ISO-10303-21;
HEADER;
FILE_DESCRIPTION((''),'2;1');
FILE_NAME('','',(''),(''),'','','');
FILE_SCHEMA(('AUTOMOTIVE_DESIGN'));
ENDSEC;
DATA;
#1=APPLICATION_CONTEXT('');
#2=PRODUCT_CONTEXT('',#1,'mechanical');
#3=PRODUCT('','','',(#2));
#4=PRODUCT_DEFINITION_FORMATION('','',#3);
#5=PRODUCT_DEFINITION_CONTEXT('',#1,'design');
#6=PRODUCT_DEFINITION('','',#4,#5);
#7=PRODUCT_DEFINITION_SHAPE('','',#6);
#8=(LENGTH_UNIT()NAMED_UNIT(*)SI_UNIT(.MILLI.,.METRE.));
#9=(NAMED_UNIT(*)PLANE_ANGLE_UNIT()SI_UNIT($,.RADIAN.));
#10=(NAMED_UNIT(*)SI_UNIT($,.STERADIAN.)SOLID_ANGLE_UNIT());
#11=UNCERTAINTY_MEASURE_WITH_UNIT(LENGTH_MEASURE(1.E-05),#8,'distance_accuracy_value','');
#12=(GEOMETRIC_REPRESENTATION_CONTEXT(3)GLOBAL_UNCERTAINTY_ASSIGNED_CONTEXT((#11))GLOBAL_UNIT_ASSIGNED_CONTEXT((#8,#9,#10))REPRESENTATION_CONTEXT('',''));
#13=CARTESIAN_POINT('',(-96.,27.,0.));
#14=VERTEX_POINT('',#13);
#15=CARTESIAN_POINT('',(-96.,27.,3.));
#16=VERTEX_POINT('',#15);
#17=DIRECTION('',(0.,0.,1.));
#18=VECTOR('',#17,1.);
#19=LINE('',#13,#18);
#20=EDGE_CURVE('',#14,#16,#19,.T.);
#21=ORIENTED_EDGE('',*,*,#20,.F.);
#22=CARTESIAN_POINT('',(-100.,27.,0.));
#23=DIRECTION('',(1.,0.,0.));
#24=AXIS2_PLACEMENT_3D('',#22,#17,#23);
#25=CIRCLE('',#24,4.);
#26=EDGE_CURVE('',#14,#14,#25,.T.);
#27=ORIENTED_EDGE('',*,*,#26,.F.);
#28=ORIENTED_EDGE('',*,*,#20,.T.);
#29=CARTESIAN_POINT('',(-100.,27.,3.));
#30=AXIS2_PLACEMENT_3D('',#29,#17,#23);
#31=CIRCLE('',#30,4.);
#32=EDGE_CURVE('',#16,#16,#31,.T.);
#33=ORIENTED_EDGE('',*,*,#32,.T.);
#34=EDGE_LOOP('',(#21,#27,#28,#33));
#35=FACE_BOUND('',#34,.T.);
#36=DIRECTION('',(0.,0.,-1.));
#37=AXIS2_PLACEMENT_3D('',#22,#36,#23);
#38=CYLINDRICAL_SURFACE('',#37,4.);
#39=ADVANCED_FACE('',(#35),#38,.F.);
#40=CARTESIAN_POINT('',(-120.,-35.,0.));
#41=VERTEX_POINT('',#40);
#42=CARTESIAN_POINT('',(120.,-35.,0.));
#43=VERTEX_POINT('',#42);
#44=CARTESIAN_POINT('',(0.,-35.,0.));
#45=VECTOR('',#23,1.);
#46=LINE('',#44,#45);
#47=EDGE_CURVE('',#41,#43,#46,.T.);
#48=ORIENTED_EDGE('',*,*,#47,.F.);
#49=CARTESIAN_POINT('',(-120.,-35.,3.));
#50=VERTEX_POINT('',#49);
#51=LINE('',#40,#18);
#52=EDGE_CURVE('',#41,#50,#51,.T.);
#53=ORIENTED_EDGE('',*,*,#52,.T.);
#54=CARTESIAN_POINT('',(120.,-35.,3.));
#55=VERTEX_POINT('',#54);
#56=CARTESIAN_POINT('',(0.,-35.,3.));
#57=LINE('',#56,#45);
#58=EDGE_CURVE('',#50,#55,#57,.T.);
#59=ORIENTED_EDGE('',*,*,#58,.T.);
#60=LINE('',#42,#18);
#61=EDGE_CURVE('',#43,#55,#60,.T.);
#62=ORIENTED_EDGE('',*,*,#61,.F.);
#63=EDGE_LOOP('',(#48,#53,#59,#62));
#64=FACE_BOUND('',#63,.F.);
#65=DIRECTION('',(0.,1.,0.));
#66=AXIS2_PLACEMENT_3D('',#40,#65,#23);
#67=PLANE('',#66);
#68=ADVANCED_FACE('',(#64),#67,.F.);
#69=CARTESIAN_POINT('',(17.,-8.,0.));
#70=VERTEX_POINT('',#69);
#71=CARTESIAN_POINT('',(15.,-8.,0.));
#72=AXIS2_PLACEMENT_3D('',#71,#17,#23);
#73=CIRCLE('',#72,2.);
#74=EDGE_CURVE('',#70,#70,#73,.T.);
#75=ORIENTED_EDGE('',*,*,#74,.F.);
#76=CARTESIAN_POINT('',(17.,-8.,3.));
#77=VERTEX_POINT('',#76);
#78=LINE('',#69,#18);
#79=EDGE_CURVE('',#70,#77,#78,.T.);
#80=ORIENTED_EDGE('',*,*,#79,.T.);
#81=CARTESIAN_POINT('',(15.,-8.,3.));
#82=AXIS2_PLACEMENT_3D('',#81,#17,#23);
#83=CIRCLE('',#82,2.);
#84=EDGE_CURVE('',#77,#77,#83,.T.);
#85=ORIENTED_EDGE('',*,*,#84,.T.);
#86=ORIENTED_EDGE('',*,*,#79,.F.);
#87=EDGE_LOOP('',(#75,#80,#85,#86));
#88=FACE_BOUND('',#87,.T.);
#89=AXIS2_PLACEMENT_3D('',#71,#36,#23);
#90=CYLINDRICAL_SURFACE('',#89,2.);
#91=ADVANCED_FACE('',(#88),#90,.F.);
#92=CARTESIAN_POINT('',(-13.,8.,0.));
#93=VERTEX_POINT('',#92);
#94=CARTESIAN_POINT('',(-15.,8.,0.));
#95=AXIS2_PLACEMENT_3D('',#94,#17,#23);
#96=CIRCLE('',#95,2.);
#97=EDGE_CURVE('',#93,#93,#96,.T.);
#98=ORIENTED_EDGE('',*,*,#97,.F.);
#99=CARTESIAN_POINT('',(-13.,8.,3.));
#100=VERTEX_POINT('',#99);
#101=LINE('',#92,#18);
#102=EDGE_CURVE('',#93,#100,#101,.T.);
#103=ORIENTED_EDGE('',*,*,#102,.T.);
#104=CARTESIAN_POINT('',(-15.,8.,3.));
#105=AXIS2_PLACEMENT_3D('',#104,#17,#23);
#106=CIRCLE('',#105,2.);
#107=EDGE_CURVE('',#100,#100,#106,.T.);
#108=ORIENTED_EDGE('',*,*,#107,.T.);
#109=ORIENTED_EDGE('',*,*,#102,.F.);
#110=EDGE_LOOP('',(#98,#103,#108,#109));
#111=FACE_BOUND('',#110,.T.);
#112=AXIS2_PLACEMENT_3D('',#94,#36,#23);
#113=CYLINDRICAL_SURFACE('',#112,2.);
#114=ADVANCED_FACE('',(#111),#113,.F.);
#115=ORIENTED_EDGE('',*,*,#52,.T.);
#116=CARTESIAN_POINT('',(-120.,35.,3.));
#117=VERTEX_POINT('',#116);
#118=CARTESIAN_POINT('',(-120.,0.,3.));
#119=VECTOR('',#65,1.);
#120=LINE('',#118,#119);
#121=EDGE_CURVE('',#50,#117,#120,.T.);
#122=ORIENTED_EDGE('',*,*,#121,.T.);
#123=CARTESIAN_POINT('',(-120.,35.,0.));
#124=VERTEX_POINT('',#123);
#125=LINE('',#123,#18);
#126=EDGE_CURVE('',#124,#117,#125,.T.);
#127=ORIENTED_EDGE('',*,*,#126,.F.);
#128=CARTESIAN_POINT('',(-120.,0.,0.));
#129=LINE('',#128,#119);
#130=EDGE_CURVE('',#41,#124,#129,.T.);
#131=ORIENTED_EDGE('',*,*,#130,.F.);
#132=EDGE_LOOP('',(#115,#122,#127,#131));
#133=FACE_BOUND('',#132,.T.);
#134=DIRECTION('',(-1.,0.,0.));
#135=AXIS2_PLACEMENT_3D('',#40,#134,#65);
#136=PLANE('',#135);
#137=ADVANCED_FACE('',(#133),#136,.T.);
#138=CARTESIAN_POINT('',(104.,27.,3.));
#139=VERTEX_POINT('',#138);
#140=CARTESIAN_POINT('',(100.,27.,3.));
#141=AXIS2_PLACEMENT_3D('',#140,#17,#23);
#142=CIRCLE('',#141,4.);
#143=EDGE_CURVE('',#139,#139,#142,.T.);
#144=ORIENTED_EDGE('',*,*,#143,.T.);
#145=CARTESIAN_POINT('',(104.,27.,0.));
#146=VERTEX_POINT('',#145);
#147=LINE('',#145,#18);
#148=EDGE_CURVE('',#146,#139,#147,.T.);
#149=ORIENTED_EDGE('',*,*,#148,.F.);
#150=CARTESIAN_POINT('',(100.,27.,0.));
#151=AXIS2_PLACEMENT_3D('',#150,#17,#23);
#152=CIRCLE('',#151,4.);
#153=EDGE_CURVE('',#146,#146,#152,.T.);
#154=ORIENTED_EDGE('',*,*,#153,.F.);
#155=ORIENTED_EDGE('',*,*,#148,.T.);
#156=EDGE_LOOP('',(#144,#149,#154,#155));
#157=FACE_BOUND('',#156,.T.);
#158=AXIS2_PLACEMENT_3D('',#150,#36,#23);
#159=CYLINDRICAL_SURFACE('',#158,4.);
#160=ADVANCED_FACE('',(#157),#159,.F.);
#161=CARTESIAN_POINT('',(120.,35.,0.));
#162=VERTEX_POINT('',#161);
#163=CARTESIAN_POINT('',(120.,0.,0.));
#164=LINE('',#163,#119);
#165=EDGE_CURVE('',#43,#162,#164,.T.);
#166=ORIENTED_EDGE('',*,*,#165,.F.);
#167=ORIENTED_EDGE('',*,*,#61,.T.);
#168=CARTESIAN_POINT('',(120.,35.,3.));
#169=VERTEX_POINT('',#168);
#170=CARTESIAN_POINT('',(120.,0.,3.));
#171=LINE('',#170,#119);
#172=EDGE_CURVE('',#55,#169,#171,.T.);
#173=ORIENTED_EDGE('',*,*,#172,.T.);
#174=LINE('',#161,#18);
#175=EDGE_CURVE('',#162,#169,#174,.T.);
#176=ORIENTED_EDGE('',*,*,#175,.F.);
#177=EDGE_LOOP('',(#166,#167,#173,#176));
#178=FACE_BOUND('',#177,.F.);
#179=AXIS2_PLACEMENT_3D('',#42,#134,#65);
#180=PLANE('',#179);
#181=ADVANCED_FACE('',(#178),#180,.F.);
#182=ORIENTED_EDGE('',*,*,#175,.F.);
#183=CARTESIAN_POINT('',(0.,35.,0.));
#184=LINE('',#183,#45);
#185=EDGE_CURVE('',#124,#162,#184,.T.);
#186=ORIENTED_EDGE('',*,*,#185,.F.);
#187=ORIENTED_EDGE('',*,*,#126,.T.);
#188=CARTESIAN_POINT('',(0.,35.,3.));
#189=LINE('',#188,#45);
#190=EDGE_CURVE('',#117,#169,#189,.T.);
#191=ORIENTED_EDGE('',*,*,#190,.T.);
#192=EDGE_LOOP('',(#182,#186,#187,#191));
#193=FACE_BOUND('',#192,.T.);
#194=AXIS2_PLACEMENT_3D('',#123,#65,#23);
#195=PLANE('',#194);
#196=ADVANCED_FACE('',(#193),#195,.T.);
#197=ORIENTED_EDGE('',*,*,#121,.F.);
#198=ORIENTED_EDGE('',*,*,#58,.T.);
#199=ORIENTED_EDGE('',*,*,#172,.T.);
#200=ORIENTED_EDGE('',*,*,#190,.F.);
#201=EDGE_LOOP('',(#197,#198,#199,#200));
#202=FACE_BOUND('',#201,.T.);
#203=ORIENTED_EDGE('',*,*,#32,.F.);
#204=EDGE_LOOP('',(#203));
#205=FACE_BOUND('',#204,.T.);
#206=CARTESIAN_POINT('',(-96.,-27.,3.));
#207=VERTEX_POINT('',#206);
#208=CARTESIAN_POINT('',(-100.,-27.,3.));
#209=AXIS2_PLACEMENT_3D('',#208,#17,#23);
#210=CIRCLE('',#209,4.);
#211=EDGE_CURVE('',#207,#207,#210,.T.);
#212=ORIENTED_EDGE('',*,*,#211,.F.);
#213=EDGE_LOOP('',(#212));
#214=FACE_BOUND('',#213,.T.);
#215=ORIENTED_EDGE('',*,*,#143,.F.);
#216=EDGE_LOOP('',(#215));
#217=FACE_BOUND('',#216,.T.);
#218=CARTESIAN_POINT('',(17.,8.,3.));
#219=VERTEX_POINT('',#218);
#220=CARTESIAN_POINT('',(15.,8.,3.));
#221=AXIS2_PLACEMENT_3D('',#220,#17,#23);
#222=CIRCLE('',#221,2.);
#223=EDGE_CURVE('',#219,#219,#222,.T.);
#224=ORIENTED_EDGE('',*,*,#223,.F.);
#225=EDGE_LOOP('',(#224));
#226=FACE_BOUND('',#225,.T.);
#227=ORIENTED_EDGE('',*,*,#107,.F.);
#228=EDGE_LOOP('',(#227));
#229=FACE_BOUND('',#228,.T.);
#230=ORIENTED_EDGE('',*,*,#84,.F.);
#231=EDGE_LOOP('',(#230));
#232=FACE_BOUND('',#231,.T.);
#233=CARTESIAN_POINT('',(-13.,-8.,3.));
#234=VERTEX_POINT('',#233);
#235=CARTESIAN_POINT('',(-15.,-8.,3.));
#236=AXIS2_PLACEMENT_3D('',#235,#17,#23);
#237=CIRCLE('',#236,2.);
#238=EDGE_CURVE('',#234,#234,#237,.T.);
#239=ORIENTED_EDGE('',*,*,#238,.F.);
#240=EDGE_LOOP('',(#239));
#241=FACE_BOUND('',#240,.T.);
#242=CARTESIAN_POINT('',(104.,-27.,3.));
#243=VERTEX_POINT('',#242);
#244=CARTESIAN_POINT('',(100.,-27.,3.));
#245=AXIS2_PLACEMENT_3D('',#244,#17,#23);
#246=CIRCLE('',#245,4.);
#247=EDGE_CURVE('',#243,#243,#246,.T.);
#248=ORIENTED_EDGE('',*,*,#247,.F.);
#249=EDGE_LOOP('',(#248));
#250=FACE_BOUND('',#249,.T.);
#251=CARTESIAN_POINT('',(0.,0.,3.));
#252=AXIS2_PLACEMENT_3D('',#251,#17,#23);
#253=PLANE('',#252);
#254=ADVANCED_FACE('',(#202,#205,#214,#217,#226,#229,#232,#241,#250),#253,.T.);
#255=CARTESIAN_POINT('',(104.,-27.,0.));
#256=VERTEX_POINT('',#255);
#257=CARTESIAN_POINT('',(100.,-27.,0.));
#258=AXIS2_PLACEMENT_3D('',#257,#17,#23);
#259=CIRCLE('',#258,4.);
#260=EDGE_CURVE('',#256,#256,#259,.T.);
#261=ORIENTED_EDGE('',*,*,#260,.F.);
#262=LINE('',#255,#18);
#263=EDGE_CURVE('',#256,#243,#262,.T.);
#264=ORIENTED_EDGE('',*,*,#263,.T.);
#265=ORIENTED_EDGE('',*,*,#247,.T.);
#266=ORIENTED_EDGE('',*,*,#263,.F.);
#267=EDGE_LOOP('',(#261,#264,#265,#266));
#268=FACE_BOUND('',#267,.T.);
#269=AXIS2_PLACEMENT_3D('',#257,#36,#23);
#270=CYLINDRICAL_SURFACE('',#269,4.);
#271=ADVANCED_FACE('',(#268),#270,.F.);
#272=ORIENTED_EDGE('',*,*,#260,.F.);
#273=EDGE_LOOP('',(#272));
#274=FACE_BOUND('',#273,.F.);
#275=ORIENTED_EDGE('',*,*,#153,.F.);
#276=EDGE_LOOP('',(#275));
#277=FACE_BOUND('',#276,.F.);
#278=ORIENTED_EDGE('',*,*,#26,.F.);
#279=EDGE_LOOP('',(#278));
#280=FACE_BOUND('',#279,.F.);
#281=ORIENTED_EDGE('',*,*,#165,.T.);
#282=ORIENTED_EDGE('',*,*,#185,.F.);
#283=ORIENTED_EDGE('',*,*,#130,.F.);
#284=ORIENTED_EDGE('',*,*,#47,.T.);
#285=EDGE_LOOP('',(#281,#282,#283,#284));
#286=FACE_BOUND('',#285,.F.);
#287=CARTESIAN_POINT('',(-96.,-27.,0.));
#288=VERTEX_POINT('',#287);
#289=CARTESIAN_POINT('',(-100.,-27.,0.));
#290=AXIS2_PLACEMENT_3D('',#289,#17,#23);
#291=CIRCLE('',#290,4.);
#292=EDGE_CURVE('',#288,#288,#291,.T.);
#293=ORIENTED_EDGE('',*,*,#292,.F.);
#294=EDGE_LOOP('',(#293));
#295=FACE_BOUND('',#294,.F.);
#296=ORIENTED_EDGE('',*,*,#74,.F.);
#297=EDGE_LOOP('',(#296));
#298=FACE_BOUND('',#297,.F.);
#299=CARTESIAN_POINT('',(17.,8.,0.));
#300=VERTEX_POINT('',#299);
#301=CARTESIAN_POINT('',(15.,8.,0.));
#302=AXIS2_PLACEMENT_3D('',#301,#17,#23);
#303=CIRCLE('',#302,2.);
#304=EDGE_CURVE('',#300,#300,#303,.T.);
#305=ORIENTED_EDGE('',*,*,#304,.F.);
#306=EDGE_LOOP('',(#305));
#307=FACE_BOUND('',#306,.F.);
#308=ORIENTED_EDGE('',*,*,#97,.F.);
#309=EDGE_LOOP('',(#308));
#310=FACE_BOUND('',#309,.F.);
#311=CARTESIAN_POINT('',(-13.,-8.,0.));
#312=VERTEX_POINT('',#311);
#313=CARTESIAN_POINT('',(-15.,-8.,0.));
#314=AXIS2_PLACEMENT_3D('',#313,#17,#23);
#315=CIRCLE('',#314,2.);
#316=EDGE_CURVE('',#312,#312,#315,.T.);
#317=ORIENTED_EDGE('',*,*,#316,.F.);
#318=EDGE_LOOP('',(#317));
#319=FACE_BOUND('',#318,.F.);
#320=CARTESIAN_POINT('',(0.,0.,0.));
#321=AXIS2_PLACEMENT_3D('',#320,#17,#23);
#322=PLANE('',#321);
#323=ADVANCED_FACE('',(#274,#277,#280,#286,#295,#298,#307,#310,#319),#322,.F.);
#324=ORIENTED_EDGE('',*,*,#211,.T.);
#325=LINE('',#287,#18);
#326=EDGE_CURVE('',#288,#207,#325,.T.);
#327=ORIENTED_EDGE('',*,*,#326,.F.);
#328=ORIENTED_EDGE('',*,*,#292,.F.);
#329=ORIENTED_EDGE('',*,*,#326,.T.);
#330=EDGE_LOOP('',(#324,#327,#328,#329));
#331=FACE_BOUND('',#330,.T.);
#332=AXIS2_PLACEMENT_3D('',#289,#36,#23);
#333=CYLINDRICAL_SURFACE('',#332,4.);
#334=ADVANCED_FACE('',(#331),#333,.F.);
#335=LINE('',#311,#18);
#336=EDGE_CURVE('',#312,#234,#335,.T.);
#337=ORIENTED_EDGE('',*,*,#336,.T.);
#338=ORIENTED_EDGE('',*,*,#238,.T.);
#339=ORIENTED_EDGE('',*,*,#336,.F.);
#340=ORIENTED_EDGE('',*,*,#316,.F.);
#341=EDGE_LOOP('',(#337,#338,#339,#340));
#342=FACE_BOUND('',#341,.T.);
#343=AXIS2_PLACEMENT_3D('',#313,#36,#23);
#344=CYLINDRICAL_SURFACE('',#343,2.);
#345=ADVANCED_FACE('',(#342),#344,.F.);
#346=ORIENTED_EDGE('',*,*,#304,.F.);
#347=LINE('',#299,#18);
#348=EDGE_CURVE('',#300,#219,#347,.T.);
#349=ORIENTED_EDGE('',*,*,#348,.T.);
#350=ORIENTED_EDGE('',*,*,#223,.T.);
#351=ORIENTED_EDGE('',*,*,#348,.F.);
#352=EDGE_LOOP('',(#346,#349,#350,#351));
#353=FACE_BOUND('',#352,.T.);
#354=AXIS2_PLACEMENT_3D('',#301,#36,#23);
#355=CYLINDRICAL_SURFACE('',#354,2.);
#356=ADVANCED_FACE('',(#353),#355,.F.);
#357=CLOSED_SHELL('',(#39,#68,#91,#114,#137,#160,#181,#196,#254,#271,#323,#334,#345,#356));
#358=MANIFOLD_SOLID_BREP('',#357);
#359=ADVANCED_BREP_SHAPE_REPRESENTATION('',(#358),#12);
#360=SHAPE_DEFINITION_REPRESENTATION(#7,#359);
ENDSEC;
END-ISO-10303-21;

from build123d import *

# Parameters (mm, degrees)
SKETCH1_W           = 240
SKETCH1_H           = 70
SKETCH1_R           = 4
SKETCH1_R_2         = 2
BOSS_EXTRUDE1_DEPTH = 3


with BuildPart() as part:
    # Sketch1 → Boss-Extrude1 (new body)
    with BuildSketch(Plane.XY):
        Rectangle(SKETCH1_W, SKETCH1_H)
        with Locations((-100, 27)):
            Circle(SKETCH1_R, mode=Mode.SUBTRACT)
        with Locations((100, 27)):
            Circle(SKETCH1_R, mode=Mode.SUBTRACT)
        with Locations((100, -27)):
            Circle(SKETCH1_R, mode=Mode.SUBTRACT)
        with Locations((-100, -27)):
            Circle(SKETCH1_R, mode=Mode.SUBTRACT)
        with Locations((-15, 8)):
            Circle(SKETCH1_R_2, mode=Mode.SUBTRACT)
        with Locations((15, 8)):
            Circle(SKETCH1_R_2, mode=Mode.SUBTRACT)
        with Locations((15, -8)):
            Circle(SKETCH1_R_2, mode=Mode.SUBTRACT)
        with Locations((-15, -8)):
            Circle(SKETCH1_R_2, mode=Mode.SUBTRACT)
    extrude(amount=BOSS_EXTRUDE1_DEPTH)


solid = part.part
